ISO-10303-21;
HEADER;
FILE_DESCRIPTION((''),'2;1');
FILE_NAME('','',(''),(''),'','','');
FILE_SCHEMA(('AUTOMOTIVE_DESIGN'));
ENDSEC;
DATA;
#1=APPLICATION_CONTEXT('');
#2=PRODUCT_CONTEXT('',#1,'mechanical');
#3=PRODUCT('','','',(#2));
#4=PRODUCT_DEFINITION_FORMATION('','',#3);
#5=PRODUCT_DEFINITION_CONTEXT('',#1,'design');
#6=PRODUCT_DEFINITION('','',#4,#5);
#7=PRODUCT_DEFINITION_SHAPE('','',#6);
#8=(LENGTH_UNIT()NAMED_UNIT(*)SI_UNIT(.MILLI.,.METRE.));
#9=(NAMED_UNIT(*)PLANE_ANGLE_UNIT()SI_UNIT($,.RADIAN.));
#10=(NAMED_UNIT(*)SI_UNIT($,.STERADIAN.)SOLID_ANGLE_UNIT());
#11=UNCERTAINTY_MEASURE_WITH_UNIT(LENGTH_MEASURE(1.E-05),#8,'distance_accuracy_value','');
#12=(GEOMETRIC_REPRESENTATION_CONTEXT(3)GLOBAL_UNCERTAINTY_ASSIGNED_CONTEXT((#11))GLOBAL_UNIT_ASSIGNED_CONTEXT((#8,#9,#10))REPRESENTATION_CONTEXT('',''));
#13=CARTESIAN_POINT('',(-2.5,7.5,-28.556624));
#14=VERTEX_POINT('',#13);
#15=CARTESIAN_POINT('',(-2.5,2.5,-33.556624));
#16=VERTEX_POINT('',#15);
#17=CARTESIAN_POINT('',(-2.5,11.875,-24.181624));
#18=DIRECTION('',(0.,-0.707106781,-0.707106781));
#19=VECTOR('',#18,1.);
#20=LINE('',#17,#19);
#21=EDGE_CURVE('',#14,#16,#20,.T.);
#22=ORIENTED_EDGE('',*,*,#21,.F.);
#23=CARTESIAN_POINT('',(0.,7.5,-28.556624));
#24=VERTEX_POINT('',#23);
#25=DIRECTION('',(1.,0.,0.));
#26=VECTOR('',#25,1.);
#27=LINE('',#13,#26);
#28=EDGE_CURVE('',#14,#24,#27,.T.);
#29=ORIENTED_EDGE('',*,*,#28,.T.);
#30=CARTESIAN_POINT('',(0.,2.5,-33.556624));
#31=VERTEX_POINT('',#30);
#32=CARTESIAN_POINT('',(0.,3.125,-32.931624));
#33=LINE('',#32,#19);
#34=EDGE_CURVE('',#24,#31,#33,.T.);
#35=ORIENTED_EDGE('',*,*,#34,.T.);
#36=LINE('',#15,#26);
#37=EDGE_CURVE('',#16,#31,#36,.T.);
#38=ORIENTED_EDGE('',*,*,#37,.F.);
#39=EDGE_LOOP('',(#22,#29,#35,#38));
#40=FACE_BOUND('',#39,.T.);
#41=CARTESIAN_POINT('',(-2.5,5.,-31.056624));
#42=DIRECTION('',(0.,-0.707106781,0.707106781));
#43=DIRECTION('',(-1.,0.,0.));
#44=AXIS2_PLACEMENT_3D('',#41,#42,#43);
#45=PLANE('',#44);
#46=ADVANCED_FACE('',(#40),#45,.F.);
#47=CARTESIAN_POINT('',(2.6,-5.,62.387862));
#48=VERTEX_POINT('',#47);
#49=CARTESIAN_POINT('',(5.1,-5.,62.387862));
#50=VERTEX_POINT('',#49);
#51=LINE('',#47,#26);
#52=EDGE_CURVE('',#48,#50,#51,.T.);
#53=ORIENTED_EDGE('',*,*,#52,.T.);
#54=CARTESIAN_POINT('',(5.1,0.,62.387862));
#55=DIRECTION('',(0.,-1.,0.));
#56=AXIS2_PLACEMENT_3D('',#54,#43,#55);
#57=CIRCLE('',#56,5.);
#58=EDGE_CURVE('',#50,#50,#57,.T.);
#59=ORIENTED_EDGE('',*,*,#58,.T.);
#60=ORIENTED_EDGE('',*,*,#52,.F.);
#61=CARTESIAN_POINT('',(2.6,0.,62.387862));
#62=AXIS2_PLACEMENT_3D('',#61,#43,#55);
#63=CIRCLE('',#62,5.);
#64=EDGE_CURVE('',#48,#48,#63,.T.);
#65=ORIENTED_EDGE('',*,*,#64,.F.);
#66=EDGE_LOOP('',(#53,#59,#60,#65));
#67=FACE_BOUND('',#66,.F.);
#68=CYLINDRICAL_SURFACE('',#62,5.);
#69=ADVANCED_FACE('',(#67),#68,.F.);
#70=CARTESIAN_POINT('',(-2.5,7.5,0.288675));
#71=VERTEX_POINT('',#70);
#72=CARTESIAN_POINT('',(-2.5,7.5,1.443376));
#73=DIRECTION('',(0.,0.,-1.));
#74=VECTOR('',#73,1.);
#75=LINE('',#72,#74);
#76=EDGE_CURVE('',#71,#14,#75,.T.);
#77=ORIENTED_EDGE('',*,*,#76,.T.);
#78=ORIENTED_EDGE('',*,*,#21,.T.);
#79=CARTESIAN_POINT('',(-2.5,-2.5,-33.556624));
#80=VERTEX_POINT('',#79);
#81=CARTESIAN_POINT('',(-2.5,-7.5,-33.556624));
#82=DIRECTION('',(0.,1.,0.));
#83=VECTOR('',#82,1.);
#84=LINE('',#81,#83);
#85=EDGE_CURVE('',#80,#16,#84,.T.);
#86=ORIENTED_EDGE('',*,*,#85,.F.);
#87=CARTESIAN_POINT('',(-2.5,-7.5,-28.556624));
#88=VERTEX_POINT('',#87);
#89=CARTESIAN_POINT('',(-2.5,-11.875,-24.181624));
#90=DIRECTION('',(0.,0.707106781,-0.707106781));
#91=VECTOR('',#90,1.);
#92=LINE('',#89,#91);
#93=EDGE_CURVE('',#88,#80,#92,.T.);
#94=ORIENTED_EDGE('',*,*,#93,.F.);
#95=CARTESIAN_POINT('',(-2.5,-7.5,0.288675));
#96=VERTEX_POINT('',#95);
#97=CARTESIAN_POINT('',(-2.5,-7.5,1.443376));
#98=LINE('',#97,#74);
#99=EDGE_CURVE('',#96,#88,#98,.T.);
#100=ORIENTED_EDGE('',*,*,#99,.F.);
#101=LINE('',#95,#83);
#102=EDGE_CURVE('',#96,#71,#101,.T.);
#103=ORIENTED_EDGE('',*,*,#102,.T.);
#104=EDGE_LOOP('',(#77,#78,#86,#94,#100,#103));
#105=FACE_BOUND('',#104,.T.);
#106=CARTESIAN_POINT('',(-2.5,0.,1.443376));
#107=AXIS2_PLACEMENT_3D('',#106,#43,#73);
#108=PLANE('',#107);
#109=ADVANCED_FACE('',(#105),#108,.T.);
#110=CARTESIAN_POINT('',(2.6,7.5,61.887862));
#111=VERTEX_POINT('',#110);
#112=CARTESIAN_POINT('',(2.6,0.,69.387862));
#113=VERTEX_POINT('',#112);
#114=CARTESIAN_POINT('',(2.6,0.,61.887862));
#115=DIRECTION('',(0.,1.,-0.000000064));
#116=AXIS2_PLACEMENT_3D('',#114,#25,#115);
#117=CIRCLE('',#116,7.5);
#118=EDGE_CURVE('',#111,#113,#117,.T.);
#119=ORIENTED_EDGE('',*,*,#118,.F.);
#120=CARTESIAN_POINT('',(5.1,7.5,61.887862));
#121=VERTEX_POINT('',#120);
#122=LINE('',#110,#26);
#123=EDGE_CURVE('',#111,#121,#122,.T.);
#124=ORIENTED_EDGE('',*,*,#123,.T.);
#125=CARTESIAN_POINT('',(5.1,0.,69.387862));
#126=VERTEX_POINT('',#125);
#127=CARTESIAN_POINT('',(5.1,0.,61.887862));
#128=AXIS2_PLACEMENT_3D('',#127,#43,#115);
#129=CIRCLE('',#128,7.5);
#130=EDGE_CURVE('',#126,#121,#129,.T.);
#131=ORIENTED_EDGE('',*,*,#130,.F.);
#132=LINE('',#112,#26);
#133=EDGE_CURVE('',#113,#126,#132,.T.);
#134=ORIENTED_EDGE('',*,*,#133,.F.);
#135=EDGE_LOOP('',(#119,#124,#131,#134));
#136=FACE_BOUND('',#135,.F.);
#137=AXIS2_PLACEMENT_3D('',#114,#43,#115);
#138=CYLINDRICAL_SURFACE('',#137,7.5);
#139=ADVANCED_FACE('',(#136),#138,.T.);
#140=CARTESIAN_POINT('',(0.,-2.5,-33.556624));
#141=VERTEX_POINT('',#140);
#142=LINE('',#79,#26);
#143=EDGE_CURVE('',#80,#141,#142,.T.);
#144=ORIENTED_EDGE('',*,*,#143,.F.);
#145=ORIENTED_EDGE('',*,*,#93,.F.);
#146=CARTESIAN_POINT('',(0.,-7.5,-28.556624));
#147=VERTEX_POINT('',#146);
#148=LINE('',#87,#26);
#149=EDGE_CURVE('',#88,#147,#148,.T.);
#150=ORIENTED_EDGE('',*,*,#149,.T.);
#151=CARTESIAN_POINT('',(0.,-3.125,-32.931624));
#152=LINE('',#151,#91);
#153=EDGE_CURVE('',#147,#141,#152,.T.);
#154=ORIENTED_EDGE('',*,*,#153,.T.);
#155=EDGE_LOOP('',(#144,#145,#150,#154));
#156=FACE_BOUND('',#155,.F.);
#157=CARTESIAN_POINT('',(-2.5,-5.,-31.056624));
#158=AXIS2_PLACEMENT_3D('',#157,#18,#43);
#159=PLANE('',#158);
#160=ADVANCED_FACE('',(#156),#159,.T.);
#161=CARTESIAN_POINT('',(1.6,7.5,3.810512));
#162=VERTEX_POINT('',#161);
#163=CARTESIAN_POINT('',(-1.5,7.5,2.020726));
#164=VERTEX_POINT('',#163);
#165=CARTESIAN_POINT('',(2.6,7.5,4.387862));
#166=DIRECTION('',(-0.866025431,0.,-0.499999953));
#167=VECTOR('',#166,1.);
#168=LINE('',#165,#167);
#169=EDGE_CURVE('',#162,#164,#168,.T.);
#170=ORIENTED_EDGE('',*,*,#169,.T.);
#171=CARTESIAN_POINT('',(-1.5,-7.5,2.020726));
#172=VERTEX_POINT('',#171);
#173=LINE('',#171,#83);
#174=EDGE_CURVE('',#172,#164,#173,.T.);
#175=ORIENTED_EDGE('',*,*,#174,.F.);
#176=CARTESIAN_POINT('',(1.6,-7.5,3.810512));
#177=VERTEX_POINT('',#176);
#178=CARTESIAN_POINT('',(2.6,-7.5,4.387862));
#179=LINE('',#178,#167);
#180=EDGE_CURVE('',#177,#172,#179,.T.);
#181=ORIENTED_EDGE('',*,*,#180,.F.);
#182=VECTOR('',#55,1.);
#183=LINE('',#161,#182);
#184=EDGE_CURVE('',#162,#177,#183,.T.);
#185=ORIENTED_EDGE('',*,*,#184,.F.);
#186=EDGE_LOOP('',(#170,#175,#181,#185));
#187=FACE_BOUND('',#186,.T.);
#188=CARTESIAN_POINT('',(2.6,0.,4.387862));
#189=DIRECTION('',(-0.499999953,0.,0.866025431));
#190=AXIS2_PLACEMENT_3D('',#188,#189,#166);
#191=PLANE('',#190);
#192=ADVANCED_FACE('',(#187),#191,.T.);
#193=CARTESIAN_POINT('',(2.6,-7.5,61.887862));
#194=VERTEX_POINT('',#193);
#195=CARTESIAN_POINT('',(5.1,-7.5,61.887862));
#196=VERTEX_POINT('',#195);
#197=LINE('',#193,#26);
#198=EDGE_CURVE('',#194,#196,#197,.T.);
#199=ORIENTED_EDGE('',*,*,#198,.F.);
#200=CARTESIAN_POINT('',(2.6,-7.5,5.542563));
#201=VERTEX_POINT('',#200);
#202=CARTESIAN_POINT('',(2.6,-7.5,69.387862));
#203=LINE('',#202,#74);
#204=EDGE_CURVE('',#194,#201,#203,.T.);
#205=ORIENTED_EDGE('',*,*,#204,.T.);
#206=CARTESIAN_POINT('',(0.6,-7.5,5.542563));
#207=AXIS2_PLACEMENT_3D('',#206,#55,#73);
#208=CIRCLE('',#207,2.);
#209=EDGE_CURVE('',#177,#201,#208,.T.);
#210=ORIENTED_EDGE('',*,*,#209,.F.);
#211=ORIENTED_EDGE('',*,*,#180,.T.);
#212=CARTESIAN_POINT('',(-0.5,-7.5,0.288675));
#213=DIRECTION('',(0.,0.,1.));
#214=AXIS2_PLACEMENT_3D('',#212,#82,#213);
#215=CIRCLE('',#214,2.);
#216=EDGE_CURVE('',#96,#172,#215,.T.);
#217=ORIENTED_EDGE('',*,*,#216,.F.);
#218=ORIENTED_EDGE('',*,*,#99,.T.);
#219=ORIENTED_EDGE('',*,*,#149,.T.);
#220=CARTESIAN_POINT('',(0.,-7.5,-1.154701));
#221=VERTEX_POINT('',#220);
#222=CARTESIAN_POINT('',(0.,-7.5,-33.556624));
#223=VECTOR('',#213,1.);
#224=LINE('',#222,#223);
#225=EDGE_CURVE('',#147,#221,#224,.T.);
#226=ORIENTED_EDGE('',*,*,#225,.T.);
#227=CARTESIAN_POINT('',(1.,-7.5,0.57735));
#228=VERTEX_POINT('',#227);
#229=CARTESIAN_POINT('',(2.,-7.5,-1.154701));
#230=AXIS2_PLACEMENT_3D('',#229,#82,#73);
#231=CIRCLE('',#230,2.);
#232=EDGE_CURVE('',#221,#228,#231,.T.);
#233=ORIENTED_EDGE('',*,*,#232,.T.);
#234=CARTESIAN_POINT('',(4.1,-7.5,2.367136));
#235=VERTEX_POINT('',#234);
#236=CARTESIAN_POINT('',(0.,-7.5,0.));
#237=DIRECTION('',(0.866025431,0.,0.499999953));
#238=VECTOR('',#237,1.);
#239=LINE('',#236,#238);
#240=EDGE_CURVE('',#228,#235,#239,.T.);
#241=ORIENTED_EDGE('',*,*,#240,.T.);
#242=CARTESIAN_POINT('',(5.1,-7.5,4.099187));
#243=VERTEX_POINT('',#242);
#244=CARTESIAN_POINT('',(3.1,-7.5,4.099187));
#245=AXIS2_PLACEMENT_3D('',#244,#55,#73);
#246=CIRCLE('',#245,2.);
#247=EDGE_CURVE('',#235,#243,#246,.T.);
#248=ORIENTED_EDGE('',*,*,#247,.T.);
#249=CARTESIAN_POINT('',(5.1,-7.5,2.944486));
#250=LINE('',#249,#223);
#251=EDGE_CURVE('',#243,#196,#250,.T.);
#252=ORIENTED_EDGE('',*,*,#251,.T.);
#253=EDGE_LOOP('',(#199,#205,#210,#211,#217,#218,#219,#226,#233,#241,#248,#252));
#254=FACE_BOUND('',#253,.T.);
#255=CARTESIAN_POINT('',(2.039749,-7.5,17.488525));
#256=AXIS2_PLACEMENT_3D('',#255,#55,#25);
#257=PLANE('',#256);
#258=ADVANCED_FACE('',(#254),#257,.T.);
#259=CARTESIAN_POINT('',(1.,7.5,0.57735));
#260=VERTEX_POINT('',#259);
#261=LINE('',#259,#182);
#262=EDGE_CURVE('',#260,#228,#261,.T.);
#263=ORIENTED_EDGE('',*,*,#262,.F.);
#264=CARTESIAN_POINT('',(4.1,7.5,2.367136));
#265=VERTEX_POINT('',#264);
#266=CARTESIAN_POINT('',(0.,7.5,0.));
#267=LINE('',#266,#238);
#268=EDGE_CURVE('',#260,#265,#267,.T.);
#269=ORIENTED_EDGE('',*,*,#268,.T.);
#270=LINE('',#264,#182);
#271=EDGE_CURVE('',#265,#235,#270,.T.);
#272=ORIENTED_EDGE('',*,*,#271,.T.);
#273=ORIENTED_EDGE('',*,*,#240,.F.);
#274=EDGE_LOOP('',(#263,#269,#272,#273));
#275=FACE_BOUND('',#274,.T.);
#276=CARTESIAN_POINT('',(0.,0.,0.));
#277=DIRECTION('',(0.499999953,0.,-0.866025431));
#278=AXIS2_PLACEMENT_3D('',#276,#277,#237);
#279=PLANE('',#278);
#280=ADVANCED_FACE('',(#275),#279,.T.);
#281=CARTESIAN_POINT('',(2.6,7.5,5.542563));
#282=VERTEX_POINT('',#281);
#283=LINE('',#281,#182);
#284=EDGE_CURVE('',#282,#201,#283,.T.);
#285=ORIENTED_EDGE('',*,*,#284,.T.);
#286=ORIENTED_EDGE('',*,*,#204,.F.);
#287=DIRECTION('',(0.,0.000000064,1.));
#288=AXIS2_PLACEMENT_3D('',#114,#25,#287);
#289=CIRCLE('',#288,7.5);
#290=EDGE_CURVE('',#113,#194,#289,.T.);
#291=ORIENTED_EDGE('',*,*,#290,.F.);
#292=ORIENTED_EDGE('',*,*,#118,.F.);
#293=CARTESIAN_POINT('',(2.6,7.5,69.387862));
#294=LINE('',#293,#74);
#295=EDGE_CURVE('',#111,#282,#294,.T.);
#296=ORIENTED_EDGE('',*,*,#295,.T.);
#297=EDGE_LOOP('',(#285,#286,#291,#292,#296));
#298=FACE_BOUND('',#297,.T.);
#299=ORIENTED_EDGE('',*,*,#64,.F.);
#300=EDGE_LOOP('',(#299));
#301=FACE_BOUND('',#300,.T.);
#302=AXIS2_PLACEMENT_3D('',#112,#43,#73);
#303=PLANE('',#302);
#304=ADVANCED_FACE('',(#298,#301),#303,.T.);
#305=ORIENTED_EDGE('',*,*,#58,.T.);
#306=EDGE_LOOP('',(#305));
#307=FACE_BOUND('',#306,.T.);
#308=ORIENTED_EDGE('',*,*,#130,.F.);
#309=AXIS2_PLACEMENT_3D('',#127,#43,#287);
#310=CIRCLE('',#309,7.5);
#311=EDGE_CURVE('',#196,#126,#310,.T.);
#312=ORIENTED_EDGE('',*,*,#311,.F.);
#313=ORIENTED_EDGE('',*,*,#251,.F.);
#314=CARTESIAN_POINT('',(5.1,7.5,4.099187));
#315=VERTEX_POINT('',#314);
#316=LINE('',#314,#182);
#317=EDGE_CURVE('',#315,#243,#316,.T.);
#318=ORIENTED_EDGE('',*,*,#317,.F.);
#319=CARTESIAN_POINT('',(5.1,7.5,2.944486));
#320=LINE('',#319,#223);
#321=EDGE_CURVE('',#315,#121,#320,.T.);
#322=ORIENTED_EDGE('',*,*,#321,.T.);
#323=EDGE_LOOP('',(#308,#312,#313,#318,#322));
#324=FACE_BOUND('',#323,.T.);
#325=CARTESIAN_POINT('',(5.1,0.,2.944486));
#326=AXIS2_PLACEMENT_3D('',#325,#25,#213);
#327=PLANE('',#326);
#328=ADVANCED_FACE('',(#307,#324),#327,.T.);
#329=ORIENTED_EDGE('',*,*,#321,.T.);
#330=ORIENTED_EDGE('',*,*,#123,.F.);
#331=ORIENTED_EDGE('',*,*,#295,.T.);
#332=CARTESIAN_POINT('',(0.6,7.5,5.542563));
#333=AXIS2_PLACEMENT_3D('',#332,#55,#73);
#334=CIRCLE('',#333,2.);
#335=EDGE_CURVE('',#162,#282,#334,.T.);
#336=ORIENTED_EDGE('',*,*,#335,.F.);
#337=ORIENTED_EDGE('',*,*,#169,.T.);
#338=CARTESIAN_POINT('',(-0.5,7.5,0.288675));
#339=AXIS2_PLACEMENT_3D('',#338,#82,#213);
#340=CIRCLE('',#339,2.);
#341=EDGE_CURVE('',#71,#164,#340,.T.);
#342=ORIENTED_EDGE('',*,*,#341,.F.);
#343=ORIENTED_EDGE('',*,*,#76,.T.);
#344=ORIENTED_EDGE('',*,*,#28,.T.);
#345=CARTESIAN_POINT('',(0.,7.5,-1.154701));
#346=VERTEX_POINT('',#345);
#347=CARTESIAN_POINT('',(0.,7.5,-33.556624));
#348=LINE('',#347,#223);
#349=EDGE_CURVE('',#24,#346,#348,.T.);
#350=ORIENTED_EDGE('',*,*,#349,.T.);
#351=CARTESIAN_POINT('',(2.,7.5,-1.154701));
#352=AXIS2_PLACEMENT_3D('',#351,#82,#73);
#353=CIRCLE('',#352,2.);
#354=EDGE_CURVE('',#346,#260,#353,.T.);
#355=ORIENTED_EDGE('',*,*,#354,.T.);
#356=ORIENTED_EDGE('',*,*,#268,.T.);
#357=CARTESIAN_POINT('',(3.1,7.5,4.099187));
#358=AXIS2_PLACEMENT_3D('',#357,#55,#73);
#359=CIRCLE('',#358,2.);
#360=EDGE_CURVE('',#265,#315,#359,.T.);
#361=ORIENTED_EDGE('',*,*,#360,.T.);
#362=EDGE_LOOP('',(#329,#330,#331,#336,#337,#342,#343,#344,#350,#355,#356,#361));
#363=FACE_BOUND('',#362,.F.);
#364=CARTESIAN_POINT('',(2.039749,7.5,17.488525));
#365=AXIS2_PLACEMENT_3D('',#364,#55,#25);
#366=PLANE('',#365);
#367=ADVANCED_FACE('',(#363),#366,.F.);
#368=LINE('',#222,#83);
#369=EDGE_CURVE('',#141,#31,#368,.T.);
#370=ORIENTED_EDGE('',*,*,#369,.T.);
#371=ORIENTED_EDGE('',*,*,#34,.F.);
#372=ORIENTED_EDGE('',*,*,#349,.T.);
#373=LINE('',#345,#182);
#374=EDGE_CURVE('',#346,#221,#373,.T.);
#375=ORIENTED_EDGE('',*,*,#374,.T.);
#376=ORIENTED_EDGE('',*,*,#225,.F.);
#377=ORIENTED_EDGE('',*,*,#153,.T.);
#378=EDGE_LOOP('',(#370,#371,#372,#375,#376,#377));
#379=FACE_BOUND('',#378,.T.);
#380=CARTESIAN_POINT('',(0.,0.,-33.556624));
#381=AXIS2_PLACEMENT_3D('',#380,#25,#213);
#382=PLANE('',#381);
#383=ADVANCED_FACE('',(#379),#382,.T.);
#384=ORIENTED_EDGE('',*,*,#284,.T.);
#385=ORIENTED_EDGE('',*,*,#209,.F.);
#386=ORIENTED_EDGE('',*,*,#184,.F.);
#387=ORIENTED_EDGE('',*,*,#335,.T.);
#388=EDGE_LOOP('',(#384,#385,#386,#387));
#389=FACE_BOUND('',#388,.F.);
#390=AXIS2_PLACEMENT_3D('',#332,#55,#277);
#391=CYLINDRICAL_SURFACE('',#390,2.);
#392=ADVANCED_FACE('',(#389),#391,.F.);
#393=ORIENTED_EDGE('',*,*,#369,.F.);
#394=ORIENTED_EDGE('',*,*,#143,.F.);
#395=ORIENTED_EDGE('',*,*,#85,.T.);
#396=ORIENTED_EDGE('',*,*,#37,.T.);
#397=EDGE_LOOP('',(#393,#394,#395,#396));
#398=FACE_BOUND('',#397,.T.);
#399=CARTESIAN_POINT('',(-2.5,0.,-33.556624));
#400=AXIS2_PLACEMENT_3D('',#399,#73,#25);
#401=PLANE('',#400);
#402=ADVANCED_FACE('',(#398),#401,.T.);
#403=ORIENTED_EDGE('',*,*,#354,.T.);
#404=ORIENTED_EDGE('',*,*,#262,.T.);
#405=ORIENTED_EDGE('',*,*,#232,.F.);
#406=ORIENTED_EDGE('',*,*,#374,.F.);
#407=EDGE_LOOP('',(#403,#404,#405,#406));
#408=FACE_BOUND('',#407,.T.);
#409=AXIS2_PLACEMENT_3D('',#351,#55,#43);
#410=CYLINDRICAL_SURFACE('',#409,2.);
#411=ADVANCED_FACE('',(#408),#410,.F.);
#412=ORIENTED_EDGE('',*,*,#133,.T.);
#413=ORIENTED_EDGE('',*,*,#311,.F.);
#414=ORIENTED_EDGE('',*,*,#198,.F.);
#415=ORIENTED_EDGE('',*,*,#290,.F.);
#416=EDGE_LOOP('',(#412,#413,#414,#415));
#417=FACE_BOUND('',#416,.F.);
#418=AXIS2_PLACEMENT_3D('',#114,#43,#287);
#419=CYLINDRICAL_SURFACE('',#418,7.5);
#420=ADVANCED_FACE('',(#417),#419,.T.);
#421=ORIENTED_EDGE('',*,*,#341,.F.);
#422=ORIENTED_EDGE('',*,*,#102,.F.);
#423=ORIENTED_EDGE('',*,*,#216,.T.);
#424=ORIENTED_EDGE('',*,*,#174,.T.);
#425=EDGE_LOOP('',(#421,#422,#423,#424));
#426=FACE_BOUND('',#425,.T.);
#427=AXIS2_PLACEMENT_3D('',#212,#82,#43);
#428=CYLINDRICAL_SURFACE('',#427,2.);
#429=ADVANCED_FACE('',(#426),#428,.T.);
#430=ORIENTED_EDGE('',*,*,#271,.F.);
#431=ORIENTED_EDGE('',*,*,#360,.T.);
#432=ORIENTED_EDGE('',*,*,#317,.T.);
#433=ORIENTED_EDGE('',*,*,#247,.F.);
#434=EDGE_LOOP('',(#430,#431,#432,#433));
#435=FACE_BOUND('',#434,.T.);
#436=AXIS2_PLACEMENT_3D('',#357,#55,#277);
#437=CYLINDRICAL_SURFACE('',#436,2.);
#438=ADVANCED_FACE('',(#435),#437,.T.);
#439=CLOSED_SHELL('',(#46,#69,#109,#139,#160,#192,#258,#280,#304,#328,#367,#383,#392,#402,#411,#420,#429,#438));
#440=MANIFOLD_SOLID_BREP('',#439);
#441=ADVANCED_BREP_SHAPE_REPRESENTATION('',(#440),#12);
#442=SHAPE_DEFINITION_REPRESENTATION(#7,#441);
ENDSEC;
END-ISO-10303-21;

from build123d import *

# Parameters (mm, degrees)
F1_DEPTH = 7.5
F2_R     = 5
F3_DEPTH = 25
F4_SIZE  = 5
F5_R     = 2


with BuildPart() as f1:
    # F0 (on Front) → F1 (new body, symmetric)
    with BuildSketch(Plane.XZ):
        Polygon((0, -33.556624), (0, 0), (5.1, 2.944486), (5.1, 69.387862), (2.6, 69.387862), (2.6, 4.387862), (-2.5, 1.443376), (-2.5, -33.556624), align=None)
    extrude(amount=F1_DEPTH, both=True)

    # F2 (on face) → F3 (cut)
    with BuildSketch(Plane(origin=(2.6, 0, 0), x_dir=(0, -1, 0), z_dir=(-1, 0, 0))):
        with BuildLine():
            Line((-7.5, 69.387862), (-7.5, 61.887862))
            ThreePointArc((-7.5, 61.887862), (-5.303301, 67.191163), (0, 69.387862))
            Line((0, 69.387862), (-7.5, 69.387862))
        make_face()
        with Locations((0, 62.387862)):
            Circle(F2_R)
        with BuildLine():
            Line((7.5, 69.387862), (0, 69.387862))
            ThreePointArc((0, 69.387862), (5.303301, 67.191163), (7.5, 61.887862))
            Line((7.5, 61.887862), (7.5, 69.387862))
        make_face()
    extrude(amount=-F3_DEPTH, mode=Mode.SUBTRACT)

    # F4
    f4_edges = [f1.edges().sort_by_distance(p)[0] for p in [
        (-1.25, 7.5, -33.556624),
        (-1.25, -7.5, -33.556624),
    ]]
    chamfer(f4_edges, length=F4_SIZE)

    # F5
    f5_edges = [f1.edges().sort_by_distance(p)[0] for p in [
        (-2.5, 0, 1.443376),
        (2.6, 0, 4.387862),
        (5.1, 0, 2.944486),
        (0, 0, 0),
    ]]
    fillet(f5_edges, radius=F5_R)


solid = f1.part
